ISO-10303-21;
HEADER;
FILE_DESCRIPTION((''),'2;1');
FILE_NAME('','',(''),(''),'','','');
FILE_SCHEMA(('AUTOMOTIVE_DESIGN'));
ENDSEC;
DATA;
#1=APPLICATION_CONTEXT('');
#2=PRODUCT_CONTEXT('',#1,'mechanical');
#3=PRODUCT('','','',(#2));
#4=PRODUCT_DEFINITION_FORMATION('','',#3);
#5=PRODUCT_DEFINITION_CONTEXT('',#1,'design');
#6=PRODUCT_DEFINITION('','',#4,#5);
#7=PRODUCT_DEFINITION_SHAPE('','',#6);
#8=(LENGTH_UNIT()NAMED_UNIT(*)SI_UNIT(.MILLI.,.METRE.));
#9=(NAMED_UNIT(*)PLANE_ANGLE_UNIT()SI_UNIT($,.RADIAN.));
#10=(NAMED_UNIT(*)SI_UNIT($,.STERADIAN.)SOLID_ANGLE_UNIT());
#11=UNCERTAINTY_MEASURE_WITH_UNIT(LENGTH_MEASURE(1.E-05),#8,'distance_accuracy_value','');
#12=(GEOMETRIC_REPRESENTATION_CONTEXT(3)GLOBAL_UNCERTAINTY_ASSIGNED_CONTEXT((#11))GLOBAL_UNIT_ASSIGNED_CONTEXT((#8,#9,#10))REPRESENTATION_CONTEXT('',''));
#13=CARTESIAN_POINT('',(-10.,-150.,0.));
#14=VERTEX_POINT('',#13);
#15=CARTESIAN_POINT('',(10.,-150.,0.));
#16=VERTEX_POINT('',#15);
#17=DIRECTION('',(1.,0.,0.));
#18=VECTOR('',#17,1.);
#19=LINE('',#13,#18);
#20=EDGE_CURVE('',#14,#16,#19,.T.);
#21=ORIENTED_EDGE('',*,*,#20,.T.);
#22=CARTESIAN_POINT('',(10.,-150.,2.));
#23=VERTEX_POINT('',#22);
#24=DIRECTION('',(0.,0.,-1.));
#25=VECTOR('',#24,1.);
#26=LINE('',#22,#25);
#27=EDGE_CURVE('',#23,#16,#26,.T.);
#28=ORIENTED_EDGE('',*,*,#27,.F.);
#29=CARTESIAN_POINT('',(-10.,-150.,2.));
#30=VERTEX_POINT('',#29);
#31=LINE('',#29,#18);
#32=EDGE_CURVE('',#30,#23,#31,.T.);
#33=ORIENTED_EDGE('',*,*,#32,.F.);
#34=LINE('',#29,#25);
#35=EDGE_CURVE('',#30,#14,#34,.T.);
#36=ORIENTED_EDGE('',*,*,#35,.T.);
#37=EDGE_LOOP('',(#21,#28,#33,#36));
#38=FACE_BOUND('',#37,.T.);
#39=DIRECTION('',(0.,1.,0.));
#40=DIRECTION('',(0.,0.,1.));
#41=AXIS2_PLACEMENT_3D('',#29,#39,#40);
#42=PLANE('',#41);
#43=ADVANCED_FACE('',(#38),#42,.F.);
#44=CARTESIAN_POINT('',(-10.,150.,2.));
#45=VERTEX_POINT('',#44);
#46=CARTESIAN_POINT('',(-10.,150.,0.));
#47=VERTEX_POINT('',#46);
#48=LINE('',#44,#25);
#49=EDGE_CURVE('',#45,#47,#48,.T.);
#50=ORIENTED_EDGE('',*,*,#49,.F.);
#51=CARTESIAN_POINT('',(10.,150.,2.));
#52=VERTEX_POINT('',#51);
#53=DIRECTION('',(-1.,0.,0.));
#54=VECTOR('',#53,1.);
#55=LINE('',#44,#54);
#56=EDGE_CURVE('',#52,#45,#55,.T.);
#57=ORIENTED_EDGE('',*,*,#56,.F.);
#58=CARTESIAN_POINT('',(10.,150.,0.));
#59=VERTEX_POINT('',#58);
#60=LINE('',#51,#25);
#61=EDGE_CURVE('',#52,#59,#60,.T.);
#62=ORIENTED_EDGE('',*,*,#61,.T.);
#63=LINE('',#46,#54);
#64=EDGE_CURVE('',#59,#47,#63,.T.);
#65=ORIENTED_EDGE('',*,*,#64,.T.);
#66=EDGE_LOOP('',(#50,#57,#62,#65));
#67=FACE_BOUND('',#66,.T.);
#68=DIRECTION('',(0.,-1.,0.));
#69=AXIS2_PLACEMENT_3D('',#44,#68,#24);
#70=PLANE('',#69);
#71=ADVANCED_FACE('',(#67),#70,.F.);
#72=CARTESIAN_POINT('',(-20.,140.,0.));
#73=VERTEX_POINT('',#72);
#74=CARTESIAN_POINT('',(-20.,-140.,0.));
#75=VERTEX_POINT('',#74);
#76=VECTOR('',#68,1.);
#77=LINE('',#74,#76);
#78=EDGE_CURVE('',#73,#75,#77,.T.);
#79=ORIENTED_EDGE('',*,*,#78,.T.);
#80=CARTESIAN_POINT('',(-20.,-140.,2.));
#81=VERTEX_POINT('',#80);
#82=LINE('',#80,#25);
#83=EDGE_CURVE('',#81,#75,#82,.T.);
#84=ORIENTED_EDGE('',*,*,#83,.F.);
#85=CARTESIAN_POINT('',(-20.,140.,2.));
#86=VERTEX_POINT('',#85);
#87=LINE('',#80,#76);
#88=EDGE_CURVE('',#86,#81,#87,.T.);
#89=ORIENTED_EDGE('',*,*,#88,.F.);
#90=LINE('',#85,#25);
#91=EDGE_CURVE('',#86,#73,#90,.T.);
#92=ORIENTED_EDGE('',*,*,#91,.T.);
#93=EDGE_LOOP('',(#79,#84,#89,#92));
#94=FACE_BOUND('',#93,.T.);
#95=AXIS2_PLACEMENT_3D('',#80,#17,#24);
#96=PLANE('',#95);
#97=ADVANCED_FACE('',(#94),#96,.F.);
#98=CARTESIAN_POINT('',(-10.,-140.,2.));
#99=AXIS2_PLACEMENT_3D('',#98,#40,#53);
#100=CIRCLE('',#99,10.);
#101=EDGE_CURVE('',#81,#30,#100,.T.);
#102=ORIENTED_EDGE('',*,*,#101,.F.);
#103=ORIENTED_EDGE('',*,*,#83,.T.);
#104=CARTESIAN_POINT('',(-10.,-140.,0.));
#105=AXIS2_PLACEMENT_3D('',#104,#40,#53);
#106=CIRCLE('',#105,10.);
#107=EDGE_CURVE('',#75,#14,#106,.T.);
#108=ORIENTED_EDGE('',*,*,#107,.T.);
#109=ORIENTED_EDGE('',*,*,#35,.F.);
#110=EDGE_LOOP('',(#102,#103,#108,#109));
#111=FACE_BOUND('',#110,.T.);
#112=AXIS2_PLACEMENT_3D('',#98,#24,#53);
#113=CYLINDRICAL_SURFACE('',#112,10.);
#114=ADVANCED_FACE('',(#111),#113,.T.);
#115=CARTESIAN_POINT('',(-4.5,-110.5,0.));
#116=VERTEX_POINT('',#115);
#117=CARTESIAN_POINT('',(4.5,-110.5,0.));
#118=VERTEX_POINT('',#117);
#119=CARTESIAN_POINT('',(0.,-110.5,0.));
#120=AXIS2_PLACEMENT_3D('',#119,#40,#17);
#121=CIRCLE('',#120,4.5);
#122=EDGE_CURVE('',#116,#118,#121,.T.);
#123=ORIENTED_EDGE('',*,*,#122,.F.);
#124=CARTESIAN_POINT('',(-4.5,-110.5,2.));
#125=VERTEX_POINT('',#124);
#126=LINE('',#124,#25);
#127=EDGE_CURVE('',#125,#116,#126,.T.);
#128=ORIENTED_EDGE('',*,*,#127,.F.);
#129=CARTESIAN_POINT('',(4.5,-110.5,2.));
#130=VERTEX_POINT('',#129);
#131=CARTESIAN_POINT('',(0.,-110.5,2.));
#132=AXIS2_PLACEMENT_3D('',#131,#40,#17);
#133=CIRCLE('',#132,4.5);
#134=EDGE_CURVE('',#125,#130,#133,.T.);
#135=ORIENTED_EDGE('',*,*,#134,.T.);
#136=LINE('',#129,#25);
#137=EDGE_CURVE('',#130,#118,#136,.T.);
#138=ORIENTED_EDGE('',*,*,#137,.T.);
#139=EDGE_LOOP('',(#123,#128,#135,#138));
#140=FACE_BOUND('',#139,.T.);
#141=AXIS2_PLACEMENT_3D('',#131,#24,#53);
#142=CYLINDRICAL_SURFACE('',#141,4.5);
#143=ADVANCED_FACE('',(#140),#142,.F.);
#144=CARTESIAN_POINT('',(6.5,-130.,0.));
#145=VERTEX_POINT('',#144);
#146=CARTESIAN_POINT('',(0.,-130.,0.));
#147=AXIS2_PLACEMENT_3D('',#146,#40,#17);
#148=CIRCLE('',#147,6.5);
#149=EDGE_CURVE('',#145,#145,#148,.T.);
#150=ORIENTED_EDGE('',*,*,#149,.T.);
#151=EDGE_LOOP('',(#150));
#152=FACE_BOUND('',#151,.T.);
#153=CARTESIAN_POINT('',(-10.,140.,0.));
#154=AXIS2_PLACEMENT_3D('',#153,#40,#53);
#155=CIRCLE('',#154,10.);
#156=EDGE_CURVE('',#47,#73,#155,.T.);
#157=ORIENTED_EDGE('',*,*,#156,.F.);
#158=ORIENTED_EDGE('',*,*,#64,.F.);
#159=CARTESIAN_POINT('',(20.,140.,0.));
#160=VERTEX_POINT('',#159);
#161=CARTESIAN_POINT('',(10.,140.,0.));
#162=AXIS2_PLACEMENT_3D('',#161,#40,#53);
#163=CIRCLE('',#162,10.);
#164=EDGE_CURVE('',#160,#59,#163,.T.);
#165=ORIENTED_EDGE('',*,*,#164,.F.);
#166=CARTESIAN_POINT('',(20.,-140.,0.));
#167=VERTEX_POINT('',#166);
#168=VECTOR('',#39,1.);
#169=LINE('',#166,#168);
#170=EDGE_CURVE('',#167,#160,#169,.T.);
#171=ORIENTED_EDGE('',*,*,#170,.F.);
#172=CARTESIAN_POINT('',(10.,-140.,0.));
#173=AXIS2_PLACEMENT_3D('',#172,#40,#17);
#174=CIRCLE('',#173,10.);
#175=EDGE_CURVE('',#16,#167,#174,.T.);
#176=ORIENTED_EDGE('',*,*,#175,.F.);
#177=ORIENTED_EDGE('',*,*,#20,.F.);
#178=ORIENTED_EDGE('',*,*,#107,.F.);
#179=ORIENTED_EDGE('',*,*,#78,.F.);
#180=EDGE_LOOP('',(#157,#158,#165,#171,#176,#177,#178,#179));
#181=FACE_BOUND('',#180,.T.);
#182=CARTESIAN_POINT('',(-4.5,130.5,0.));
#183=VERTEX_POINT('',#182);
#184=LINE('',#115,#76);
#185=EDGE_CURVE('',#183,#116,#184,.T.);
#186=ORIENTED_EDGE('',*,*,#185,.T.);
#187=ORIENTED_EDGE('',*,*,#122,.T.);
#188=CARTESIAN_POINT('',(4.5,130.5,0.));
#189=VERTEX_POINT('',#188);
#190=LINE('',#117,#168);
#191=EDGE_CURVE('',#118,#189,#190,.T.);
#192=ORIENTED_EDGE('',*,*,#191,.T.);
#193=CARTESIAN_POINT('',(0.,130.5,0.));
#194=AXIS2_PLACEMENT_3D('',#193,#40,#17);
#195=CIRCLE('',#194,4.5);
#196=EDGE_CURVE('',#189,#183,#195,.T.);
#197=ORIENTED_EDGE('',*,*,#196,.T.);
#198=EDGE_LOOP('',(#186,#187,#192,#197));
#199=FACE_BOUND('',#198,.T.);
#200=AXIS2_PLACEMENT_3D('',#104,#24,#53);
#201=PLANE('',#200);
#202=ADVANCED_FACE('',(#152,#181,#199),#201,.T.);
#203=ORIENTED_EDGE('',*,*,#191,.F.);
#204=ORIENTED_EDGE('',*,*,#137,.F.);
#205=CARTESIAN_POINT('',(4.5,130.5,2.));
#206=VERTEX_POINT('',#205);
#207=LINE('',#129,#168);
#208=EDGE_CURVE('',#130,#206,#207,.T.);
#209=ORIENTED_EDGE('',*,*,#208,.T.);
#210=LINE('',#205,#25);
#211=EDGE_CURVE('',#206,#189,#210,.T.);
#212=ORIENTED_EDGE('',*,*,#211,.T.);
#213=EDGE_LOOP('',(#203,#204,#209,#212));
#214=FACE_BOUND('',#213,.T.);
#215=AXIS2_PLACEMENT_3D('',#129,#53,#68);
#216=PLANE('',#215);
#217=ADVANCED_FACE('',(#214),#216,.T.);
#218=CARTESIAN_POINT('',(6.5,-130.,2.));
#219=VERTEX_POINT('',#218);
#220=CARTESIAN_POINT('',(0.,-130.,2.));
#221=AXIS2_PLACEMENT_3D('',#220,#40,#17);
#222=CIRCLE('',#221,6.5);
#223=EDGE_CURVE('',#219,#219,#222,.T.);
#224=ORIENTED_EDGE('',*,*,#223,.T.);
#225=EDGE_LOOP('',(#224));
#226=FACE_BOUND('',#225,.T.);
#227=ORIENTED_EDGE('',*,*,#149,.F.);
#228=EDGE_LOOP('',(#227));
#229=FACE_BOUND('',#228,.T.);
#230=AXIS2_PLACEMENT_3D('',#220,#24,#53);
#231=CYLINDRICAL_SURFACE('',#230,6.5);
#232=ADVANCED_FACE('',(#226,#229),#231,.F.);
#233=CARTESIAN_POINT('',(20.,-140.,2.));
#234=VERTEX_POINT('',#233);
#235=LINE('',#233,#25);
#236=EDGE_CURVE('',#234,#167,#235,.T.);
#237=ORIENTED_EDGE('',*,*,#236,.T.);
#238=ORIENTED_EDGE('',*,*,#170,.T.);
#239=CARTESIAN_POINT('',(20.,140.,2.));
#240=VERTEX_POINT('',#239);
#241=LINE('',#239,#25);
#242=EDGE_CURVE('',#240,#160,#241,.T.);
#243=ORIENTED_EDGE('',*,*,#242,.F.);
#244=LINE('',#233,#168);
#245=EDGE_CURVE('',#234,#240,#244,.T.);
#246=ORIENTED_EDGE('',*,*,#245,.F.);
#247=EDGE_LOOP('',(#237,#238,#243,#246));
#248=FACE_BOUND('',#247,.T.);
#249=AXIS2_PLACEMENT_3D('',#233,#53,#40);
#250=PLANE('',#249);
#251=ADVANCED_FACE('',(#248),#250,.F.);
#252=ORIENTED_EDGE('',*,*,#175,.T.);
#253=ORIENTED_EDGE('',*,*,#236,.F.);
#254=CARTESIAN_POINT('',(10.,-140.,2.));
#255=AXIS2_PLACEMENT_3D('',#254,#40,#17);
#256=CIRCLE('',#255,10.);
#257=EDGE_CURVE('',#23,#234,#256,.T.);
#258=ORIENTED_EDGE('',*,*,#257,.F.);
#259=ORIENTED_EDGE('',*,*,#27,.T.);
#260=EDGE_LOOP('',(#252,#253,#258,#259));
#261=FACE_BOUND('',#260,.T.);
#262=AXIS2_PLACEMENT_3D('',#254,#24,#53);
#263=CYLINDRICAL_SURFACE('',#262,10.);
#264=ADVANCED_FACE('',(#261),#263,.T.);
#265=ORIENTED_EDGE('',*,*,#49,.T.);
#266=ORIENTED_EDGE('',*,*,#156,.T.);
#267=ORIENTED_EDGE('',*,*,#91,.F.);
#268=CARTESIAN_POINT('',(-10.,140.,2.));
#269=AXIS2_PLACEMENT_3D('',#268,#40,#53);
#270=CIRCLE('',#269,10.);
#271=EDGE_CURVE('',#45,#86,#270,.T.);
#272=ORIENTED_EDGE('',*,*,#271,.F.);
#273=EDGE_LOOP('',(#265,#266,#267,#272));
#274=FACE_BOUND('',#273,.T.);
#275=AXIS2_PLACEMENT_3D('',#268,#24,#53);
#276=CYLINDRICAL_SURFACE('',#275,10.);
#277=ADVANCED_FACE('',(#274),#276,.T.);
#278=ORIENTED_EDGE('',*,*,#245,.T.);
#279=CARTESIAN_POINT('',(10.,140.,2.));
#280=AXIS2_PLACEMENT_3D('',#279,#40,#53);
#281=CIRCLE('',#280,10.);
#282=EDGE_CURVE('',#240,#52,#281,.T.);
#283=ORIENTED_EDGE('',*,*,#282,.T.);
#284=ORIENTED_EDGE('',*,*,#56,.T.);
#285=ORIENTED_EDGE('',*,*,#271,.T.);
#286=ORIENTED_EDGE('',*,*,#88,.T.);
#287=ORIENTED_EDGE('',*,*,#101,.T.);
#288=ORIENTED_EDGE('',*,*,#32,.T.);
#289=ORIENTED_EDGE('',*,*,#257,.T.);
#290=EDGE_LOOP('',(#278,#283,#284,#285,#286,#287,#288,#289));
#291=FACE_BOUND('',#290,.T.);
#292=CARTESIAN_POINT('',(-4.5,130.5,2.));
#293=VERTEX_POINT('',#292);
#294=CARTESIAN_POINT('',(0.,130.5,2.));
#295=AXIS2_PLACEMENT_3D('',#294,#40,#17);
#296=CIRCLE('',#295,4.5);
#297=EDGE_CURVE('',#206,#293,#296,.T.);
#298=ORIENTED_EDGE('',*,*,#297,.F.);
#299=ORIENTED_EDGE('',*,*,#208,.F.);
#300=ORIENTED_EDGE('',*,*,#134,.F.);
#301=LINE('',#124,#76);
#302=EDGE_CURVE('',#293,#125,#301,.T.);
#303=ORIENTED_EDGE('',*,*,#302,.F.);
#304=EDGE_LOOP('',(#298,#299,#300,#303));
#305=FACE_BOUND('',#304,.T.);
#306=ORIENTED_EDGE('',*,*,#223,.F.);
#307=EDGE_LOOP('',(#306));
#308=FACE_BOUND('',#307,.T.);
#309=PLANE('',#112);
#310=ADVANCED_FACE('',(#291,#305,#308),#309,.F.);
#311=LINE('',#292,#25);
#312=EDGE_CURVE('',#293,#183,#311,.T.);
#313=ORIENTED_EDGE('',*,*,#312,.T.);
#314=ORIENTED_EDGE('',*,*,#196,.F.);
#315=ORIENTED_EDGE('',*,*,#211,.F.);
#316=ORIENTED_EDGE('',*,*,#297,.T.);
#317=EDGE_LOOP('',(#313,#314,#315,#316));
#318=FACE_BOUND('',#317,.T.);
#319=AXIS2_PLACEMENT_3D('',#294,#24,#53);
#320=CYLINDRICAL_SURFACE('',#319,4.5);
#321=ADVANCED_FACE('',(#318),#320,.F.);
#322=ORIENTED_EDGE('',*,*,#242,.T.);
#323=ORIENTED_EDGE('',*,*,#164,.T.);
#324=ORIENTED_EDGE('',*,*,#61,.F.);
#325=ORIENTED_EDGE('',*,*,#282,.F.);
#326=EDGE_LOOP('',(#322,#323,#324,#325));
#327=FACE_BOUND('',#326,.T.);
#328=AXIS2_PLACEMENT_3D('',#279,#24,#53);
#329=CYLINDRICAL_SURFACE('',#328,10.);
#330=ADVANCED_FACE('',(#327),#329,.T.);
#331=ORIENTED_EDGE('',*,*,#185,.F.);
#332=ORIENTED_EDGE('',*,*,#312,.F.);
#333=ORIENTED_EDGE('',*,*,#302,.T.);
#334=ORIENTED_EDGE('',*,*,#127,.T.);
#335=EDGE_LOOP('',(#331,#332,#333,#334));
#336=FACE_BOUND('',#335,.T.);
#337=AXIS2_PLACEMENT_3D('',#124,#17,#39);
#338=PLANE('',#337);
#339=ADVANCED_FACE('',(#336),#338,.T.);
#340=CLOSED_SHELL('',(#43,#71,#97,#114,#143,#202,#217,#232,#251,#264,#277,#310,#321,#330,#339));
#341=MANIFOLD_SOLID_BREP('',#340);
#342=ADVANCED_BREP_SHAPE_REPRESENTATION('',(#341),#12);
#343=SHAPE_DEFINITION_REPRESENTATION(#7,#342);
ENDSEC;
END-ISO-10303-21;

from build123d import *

# Parameters (mm, degrees)
SKETCH1_R           = 6.5
BOSS_EXTRUDE1_DEPTH = 2


with BuildPart() as part:
    # Sketch1 → Boss-Extrude1 (new body)
    with BuildSketch(Plane.XY):
        with BuildLine():
            Line((-10, -150), (10, -150))
            ThreePointArc((10, -150), (17.071067812, -147.071067812), (20, -140))
            Line((20, -140), (20, 140))
            ThreePointArc((20, 140), (17.071067812, 147.071067812), (10, 150))
            Line((10, 150), (-10, 150))
            ThreePointArc((-10, 150), (-17.071067812, 147.071067812), (-20, 140))
            Line((-20, 140), (-20, -140))
            ThreePointArc((-20, -140), (-17.071067812, -147.071067812), (-10, -150))
        make_face()
        with Locations((0, -130)):
            Circle(SKETCH1_R, mode=Mode.SUBTRACT)
        with BuildLine():
            Line((-4.5, -110.5), (-4.5, 130.5))
            ThreePointArc((-4.5, 130.5), (0, 135), (4.5, 130.5))
            Line((4.5, 130.5), (4.5, -110.5))
            ThreePointArc((4.5, -110.5), (0, -115), (-4.5, -110.5))
        make_face(mode=Mode.SUBTRACT)
    extrude(amount=BOSS_EXTRUDE1_DEPTH)


solid = part.part
